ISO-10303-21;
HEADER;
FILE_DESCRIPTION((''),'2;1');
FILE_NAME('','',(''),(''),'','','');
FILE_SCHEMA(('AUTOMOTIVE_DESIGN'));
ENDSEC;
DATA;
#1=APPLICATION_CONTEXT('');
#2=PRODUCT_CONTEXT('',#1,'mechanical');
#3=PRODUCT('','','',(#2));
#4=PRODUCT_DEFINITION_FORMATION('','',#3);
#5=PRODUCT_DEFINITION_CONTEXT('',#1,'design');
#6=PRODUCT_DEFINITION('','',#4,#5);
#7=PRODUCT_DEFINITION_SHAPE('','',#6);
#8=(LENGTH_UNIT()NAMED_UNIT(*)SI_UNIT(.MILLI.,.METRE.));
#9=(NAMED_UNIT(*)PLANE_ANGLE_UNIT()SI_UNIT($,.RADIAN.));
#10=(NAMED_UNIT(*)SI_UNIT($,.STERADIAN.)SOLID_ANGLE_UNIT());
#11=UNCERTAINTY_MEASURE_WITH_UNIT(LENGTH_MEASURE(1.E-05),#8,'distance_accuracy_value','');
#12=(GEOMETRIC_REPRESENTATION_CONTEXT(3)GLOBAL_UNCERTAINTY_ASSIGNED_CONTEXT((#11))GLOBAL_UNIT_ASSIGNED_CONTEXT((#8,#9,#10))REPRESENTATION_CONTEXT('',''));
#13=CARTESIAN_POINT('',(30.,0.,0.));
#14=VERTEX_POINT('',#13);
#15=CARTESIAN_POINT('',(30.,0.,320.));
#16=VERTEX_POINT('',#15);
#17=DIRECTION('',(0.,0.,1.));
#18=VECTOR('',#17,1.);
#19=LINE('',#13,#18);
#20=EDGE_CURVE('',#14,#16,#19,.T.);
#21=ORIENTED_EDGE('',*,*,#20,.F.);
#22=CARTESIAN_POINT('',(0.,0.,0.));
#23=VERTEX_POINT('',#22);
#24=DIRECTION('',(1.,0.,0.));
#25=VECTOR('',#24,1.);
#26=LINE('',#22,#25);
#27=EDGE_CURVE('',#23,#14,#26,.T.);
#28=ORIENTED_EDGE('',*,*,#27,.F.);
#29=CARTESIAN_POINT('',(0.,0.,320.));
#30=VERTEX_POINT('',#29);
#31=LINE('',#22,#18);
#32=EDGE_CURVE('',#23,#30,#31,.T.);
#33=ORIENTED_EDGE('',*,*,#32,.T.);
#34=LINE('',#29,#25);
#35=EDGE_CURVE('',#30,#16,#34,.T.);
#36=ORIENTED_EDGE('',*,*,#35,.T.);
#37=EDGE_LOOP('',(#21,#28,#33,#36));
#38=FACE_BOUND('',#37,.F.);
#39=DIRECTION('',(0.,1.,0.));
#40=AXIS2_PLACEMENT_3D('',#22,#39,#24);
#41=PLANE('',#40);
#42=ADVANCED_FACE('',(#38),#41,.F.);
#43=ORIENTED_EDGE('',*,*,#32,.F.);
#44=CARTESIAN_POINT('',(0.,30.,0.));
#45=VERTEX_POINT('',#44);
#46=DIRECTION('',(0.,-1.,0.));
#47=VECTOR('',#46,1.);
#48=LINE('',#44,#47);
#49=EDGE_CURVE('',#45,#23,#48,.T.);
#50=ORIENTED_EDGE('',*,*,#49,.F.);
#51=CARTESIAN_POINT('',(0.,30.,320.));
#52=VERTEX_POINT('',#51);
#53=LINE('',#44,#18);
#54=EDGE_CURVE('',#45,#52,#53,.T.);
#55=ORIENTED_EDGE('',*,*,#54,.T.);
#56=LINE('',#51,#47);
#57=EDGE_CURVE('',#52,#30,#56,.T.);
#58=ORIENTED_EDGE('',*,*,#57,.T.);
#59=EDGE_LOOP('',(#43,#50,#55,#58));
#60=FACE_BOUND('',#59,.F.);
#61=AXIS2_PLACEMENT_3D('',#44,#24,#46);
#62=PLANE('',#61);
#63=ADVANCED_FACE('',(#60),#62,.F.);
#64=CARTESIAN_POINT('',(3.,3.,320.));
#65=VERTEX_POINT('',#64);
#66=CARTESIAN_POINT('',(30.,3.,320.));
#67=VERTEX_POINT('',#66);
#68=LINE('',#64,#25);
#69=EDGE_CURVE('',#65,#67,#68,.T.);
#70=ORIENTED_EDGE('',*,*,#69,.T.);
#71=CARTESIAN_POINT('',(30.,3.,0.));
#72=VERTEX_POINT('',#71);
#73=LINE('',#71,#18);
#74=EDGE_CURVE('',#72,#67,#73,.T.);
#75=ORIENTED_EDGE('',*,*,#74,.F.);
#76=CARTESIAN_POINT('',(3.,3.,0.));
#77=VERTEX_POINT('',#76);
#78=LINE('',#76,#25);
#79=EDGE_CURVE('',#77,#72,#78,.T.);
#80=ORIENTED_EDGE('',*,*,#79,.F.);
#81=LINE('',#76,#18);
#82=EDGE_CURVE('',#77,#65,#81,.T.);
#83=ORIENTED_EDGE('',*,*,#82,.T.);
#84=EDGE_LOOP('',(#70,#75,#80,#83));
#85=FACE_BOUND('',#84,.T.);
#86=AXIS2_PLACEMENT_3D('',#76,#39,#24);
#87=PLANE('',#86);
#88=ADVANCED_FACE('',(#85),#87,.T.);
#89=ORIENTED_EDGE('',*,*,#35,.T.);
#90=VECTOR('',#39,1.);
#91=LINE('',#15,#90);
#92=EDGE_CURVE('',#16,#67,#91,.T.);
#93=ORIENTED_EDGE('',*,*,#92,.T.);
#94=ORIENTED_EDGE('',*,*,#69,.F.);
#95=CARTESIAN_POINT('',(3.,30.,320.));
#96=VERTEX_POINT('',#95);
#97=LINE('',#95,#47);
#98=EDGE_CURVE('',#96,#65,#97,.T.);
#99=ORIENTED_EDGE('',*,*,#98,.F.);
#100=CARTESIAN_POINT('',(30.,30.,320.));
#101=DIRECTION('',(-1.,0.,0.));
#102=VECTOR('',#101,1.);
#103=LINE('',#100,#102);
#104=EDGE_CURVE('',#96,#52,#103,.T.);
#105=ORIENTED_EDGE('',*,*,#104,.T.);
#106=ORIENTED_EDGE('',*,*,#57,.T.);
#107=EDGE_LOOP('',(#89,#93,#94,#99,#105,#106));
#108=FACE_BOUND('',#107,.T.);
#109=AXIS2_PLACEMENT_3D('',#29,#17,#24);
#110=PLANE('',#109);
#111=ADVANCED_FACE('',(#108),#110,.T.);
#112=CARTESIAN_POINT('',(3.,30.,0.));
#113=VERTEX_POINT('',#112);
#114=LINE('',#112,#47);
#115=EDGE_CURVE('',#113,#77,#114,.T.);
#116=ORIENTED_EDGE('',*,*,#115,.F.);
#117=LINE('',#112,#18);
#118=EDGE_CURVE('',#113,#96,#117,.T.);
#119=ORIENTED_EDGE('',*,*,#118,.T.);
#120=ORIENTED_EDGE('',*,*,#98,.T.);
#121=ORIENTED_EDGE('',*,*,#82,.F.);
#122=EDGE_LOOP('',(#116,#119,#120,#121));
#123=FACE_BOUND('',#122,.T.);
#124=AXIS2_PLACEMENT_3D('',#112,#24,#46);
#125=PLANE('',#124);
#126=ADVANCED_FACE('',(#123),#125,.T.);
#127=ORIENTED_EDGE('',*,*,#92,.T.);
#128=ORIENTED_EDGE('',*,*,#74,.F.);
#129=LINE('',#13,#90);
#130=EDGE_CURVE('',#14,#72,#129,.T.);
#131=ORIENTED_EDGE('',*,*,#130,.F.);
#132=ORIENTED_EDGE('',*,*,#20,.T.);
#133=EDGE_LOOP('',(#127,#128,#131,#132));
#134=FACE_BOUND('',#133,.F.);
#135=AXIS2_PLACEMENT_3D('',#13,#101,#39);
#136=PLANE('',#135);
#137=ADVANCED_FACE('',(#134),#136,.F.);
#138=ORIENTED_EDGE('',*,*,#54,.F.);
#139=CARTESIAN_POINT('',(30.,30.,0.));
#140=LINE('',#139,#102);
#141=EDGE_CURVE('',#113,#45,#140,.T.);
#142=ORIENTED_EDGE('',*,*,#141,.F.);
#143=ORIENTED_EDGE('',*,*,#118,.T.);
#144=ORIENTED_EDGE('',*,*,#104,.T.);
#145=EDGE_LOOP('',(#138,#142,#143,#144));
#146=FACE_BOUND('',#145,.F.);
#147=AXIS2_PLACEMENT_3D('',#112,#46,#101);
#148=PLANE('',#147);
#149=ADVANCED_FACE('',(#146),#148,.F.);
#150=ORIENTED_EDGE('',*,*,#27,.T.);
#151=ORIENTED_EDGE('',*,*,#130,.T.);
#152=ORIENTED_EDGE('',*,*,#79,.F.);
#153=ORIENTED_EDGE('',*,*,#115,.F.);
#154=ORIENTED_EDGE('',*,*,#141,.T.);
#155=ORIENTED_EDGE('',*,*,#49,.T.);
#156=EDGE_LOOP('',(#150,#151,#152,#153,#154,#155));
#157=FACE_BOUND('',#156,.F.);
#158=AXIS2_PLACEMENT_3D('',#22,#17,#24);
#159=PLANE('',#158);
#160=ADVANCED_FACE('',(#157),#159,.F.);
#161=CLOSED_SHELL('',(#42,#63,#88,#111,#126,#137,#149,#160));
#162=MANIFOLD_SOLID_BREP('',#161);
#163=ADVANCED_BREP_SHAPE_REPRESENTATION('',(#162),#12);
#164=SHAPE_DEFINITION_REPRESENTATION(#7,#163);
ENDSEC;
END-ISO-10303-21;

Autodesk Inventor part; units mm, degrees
ref_plane "YZ Plane" through (0, 0, 0) normal (1, 0, 0) x (0, 1, 0)
ref_plane "XZ Plane" through (0, 0, 0) normal (0, 1, 0) x (-1, 0, 0)
ref_plane "XY Plane" through (0, 0, 0) normal (0, 0, 1) x (1, 0, 0)
sketch "Sketch1" plane through (0, 0, 0) normal (0, 0, 1) x (1, 0, 0)
  line L0 (0, 0) -> (30, 0)
  line L1 (30, 0) -> (30, 30)
  line L2 (30, 30) -> (0, 30)
  line L3 (0, 30) -> (0, 0)
  line L4 (30, 30) -> (3, 30)
  line L5 (3, 30) -> (3, 3)
  line L6 (3, 3) -> (30, 3)
  line L7 (30, 3) -> (30, 30)
  point P0 (3, 30)
  dimension "d0" = 30
  dimension "d1" = 30
  dimension "d4" = 27
  dimension "d5" = 27
extrude "Extrusion1" add sketch "Sketch1" along normal blind 320 contours L3 L2 L5 L6 L1 L0
properties part number "frame side" material "Aluminum 6061"
